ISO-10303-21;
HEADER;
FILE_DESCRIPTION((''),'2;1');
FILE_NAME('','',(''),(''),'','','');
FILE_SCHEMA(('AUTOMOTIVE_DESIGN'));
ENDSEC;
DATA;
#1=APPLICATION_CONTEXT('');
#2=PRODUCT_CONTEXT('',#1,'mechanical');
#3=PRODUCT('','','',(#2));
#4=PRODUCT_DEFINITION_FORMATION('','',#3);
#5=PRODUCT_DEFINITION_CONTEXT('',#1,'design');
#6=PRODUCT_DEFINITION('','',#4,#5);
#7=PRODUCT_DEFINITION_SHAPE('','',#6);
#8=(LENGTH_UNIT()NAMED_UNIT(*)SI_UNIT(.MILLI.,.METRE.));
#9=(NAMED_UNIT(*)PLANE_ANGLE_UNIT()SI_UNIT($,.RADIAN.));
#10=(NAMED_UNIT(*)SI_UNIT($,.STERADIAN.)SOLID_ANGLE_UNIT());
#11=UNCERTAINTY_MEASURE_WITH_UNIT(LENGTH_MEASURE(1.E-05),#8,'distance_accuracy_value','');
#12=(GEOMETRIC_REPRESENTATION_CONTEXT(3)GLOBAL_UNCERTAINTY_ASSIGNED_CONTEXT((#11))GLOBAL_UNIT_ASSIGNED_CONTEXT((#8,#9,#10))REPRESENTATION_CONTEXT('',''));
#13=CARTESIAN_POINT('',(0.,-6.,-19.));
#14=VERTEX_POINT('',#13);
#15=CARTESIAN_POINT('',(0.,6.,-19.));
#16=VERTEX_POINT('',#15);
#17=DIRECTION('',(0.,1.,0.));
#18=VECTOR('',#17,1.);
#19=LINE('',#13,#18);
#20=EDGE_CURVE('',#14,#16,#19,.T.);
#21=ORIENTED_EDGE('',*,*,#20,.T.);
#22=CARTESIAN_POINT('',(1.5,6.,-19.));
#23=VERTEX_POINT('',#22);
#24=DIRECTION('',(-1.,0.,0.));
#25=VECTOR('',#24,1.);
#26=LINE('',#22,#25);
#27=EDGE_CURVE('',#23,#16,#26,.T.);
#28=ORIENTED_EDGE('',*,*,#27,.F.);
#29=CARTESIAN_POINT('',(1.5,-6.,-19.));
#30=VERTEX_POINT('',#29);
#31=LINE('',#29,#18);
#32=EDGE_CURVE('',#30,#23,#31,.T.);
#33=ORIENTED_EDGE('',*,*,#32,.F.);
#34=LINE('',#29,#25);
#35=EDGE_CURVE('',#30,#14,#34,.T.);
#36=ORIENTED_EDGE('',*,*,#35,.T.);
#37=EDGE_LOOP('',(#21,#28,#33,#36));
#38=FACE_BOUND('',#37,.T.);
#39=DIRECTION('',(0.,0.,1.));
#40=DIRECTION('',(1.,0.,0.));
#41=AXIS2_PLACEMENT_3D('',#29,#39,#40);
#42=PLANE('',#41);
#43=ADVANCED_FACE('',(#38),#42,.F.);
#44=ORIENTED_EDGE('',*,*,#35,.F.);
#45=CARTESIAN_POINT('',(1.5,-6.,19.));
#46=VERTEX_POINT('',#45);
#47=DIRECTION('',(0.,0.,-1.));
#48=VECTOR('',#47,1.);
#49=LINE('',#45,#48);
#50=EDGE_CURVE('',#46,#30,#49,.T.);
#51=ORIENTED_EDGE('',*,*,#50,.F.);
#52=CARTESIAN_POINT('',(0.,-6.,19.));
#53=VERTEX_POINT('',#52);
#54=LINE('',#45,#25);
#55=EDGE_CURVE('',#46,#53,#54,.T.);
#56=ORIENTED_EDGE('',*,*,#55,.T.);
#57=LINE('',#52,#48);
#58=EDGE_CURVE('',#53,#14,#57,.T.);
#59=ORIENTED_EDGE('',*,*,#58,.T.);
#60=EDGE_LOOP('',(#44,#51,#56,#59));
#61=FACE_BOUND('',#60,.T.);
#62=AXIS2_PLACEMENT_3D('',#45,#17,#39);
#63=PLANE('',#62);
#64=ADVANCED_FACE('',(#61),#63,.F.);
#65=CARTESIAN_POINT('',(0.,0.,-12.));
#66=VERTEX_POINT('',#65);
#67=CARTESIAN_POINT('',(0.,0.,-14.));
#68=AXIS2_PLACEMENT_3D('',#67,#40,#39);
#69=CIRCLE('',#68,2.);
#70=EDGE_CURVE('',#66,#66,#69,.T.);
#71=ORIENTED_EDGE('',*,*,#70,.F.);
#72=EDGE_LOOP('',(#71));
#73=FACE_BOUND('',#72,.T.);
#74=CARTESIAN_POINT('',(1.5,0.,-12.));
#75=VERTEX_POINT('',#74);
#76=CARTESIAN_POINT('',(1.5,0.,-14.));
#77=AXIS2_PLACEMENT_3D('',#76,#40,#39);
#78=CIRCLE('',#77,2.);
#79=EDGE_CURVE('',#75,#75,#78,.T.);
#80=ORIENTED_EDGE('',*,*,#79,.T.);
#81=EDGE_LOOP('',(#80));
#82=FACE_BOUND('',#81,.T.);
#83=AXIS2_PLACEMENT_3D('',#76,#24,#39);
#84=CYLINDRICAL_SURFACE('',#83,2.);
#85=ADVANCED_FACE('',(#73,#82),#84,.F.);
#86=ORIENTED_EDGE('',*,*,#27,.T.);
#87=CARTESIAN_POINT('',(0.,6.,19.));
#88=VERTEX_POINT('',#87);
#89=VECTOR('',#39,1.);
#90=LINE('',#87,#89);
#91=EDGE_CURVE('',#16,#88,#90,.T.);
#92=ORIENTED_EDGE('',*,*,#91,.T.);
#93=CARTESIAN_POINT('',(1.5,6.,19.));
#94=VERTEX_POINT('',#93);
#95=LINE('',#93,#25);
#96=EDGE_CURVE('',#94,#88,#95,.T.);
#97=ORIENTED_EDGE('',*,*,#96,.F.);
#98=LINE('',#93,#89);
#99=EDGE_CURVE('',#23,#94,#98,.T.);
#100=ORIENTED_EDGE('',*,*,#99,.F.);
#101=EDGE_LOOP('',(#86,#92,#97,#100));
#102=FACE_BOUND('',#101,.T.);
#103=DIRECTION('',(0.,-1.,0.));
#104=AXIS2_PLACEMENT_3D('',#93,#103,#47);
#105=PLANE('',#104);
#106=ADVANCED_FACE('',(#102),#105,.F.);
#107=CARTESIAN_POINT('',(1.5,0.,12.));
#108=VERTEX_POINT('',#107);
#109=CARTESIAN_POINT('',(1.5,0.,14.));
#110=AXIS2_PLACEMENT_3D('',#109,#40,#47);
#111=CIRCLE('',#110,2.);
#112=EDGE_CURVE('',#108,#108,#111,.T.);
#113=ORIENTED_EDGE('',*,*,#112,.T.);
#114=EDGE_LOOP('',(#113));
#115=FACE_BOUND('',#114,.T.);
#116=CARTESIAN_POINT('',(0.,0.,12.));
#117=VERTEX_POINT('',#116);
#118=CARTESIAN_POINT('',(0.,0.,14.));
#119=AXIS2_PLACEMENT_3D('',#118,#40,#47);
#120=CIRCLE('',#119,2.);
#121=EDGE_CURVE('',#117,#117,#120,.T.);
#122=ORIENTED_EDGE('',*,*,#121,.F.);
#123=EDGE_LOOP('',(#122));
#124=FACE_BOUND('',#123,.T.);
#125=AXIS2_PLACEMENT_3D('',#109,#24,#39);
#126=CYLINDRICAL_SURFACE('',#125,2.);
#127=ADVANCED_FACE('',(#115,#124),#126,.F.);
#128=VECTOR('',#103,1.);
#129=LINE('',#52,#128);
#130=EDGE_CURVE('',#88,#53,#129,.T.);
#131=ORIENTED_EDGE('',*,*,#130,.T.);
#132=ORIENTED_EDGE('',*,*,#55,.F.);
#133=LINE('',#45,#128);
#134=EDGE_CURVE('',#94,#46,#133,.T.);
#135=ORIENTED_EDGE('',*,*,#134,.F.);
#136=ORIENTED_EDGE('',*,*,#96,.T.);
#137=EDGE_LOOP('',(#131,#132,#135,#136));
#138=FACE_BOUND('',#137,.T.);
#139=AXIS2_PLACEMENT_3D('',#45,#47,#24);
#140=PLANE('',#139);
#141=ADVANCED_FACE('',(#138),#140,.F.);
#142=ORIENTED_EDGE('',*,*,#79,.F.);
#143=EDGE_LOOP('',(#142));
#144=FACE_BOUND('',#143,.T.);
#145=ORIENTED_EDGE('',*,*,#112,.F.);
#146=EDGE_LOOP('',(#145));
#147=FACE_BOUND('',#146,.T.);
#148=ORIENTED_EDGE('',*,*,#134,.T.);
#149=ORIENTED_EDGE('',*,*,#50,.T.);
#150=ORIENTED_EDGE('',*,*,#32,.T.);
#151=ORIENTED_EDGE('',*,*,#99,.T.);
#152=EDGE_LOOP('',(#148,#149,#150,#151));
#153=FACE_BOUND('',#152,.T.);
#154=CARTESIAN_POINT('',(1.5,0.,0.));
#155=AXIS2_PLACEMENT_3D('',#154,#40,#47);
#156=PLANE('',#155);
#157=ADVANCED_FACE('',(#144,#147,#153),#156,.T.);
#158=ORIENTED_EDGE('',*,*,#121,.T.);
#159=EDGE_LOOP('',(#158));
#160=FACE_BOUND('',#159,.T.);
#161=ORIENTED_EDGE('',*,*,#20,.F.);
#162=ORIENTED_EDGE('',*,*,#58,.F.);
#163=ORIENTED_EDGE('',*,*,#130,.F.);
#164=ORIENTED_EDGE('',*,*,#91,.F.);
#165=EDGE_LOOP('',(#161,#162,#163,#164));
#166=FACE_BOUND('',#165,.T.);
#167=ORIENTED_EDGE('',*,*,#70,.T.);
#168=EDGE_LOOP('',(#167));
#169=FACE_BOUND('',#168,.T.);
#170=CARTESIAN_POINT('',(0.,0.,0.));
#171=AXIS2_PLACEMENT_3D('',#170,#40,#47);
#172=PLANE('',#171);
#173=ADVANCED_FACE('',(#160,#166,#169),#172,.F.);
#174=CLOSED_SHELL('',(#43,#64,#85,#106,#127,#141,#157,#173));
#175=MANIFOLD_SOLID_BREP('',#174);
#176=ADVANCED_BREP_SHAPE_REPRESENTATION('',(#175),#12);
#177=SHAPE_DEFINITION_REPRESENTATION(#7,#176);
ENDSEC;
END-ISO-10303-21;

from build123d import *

# Parameters (mm, degrees)
ESBO_O1_W                = 38
ESBO_O1_H                = 12
ESBO_O1_R                = 2
RESSALTO_EXTRUS_O1_DEPTH = 1.5


with BuildPart() as part:
    # Esboço1 → Ressalto-extrusão1 (new body)
    with BuildSketch(Plane(origin=(0, 0, 0), x_dir=(0, 0, -1), z_dir=(1, 0, 0))):
        Rectangle(ESBO_O1_W, ESBO_O1_H)
        with Locations((-14, 0)):
            Circle(ESBO_O1_R, mode=Mode.SUBTRACT)
        with Locations(Location((14, 0, 0), (0, 0, 180))):
            Circle(ESBO_O1_R, mode=Mode.SUBTRACT)
    extrude(amount=RESSALTO_EXTRUS_O1_DEPTH)


solid = part.part
